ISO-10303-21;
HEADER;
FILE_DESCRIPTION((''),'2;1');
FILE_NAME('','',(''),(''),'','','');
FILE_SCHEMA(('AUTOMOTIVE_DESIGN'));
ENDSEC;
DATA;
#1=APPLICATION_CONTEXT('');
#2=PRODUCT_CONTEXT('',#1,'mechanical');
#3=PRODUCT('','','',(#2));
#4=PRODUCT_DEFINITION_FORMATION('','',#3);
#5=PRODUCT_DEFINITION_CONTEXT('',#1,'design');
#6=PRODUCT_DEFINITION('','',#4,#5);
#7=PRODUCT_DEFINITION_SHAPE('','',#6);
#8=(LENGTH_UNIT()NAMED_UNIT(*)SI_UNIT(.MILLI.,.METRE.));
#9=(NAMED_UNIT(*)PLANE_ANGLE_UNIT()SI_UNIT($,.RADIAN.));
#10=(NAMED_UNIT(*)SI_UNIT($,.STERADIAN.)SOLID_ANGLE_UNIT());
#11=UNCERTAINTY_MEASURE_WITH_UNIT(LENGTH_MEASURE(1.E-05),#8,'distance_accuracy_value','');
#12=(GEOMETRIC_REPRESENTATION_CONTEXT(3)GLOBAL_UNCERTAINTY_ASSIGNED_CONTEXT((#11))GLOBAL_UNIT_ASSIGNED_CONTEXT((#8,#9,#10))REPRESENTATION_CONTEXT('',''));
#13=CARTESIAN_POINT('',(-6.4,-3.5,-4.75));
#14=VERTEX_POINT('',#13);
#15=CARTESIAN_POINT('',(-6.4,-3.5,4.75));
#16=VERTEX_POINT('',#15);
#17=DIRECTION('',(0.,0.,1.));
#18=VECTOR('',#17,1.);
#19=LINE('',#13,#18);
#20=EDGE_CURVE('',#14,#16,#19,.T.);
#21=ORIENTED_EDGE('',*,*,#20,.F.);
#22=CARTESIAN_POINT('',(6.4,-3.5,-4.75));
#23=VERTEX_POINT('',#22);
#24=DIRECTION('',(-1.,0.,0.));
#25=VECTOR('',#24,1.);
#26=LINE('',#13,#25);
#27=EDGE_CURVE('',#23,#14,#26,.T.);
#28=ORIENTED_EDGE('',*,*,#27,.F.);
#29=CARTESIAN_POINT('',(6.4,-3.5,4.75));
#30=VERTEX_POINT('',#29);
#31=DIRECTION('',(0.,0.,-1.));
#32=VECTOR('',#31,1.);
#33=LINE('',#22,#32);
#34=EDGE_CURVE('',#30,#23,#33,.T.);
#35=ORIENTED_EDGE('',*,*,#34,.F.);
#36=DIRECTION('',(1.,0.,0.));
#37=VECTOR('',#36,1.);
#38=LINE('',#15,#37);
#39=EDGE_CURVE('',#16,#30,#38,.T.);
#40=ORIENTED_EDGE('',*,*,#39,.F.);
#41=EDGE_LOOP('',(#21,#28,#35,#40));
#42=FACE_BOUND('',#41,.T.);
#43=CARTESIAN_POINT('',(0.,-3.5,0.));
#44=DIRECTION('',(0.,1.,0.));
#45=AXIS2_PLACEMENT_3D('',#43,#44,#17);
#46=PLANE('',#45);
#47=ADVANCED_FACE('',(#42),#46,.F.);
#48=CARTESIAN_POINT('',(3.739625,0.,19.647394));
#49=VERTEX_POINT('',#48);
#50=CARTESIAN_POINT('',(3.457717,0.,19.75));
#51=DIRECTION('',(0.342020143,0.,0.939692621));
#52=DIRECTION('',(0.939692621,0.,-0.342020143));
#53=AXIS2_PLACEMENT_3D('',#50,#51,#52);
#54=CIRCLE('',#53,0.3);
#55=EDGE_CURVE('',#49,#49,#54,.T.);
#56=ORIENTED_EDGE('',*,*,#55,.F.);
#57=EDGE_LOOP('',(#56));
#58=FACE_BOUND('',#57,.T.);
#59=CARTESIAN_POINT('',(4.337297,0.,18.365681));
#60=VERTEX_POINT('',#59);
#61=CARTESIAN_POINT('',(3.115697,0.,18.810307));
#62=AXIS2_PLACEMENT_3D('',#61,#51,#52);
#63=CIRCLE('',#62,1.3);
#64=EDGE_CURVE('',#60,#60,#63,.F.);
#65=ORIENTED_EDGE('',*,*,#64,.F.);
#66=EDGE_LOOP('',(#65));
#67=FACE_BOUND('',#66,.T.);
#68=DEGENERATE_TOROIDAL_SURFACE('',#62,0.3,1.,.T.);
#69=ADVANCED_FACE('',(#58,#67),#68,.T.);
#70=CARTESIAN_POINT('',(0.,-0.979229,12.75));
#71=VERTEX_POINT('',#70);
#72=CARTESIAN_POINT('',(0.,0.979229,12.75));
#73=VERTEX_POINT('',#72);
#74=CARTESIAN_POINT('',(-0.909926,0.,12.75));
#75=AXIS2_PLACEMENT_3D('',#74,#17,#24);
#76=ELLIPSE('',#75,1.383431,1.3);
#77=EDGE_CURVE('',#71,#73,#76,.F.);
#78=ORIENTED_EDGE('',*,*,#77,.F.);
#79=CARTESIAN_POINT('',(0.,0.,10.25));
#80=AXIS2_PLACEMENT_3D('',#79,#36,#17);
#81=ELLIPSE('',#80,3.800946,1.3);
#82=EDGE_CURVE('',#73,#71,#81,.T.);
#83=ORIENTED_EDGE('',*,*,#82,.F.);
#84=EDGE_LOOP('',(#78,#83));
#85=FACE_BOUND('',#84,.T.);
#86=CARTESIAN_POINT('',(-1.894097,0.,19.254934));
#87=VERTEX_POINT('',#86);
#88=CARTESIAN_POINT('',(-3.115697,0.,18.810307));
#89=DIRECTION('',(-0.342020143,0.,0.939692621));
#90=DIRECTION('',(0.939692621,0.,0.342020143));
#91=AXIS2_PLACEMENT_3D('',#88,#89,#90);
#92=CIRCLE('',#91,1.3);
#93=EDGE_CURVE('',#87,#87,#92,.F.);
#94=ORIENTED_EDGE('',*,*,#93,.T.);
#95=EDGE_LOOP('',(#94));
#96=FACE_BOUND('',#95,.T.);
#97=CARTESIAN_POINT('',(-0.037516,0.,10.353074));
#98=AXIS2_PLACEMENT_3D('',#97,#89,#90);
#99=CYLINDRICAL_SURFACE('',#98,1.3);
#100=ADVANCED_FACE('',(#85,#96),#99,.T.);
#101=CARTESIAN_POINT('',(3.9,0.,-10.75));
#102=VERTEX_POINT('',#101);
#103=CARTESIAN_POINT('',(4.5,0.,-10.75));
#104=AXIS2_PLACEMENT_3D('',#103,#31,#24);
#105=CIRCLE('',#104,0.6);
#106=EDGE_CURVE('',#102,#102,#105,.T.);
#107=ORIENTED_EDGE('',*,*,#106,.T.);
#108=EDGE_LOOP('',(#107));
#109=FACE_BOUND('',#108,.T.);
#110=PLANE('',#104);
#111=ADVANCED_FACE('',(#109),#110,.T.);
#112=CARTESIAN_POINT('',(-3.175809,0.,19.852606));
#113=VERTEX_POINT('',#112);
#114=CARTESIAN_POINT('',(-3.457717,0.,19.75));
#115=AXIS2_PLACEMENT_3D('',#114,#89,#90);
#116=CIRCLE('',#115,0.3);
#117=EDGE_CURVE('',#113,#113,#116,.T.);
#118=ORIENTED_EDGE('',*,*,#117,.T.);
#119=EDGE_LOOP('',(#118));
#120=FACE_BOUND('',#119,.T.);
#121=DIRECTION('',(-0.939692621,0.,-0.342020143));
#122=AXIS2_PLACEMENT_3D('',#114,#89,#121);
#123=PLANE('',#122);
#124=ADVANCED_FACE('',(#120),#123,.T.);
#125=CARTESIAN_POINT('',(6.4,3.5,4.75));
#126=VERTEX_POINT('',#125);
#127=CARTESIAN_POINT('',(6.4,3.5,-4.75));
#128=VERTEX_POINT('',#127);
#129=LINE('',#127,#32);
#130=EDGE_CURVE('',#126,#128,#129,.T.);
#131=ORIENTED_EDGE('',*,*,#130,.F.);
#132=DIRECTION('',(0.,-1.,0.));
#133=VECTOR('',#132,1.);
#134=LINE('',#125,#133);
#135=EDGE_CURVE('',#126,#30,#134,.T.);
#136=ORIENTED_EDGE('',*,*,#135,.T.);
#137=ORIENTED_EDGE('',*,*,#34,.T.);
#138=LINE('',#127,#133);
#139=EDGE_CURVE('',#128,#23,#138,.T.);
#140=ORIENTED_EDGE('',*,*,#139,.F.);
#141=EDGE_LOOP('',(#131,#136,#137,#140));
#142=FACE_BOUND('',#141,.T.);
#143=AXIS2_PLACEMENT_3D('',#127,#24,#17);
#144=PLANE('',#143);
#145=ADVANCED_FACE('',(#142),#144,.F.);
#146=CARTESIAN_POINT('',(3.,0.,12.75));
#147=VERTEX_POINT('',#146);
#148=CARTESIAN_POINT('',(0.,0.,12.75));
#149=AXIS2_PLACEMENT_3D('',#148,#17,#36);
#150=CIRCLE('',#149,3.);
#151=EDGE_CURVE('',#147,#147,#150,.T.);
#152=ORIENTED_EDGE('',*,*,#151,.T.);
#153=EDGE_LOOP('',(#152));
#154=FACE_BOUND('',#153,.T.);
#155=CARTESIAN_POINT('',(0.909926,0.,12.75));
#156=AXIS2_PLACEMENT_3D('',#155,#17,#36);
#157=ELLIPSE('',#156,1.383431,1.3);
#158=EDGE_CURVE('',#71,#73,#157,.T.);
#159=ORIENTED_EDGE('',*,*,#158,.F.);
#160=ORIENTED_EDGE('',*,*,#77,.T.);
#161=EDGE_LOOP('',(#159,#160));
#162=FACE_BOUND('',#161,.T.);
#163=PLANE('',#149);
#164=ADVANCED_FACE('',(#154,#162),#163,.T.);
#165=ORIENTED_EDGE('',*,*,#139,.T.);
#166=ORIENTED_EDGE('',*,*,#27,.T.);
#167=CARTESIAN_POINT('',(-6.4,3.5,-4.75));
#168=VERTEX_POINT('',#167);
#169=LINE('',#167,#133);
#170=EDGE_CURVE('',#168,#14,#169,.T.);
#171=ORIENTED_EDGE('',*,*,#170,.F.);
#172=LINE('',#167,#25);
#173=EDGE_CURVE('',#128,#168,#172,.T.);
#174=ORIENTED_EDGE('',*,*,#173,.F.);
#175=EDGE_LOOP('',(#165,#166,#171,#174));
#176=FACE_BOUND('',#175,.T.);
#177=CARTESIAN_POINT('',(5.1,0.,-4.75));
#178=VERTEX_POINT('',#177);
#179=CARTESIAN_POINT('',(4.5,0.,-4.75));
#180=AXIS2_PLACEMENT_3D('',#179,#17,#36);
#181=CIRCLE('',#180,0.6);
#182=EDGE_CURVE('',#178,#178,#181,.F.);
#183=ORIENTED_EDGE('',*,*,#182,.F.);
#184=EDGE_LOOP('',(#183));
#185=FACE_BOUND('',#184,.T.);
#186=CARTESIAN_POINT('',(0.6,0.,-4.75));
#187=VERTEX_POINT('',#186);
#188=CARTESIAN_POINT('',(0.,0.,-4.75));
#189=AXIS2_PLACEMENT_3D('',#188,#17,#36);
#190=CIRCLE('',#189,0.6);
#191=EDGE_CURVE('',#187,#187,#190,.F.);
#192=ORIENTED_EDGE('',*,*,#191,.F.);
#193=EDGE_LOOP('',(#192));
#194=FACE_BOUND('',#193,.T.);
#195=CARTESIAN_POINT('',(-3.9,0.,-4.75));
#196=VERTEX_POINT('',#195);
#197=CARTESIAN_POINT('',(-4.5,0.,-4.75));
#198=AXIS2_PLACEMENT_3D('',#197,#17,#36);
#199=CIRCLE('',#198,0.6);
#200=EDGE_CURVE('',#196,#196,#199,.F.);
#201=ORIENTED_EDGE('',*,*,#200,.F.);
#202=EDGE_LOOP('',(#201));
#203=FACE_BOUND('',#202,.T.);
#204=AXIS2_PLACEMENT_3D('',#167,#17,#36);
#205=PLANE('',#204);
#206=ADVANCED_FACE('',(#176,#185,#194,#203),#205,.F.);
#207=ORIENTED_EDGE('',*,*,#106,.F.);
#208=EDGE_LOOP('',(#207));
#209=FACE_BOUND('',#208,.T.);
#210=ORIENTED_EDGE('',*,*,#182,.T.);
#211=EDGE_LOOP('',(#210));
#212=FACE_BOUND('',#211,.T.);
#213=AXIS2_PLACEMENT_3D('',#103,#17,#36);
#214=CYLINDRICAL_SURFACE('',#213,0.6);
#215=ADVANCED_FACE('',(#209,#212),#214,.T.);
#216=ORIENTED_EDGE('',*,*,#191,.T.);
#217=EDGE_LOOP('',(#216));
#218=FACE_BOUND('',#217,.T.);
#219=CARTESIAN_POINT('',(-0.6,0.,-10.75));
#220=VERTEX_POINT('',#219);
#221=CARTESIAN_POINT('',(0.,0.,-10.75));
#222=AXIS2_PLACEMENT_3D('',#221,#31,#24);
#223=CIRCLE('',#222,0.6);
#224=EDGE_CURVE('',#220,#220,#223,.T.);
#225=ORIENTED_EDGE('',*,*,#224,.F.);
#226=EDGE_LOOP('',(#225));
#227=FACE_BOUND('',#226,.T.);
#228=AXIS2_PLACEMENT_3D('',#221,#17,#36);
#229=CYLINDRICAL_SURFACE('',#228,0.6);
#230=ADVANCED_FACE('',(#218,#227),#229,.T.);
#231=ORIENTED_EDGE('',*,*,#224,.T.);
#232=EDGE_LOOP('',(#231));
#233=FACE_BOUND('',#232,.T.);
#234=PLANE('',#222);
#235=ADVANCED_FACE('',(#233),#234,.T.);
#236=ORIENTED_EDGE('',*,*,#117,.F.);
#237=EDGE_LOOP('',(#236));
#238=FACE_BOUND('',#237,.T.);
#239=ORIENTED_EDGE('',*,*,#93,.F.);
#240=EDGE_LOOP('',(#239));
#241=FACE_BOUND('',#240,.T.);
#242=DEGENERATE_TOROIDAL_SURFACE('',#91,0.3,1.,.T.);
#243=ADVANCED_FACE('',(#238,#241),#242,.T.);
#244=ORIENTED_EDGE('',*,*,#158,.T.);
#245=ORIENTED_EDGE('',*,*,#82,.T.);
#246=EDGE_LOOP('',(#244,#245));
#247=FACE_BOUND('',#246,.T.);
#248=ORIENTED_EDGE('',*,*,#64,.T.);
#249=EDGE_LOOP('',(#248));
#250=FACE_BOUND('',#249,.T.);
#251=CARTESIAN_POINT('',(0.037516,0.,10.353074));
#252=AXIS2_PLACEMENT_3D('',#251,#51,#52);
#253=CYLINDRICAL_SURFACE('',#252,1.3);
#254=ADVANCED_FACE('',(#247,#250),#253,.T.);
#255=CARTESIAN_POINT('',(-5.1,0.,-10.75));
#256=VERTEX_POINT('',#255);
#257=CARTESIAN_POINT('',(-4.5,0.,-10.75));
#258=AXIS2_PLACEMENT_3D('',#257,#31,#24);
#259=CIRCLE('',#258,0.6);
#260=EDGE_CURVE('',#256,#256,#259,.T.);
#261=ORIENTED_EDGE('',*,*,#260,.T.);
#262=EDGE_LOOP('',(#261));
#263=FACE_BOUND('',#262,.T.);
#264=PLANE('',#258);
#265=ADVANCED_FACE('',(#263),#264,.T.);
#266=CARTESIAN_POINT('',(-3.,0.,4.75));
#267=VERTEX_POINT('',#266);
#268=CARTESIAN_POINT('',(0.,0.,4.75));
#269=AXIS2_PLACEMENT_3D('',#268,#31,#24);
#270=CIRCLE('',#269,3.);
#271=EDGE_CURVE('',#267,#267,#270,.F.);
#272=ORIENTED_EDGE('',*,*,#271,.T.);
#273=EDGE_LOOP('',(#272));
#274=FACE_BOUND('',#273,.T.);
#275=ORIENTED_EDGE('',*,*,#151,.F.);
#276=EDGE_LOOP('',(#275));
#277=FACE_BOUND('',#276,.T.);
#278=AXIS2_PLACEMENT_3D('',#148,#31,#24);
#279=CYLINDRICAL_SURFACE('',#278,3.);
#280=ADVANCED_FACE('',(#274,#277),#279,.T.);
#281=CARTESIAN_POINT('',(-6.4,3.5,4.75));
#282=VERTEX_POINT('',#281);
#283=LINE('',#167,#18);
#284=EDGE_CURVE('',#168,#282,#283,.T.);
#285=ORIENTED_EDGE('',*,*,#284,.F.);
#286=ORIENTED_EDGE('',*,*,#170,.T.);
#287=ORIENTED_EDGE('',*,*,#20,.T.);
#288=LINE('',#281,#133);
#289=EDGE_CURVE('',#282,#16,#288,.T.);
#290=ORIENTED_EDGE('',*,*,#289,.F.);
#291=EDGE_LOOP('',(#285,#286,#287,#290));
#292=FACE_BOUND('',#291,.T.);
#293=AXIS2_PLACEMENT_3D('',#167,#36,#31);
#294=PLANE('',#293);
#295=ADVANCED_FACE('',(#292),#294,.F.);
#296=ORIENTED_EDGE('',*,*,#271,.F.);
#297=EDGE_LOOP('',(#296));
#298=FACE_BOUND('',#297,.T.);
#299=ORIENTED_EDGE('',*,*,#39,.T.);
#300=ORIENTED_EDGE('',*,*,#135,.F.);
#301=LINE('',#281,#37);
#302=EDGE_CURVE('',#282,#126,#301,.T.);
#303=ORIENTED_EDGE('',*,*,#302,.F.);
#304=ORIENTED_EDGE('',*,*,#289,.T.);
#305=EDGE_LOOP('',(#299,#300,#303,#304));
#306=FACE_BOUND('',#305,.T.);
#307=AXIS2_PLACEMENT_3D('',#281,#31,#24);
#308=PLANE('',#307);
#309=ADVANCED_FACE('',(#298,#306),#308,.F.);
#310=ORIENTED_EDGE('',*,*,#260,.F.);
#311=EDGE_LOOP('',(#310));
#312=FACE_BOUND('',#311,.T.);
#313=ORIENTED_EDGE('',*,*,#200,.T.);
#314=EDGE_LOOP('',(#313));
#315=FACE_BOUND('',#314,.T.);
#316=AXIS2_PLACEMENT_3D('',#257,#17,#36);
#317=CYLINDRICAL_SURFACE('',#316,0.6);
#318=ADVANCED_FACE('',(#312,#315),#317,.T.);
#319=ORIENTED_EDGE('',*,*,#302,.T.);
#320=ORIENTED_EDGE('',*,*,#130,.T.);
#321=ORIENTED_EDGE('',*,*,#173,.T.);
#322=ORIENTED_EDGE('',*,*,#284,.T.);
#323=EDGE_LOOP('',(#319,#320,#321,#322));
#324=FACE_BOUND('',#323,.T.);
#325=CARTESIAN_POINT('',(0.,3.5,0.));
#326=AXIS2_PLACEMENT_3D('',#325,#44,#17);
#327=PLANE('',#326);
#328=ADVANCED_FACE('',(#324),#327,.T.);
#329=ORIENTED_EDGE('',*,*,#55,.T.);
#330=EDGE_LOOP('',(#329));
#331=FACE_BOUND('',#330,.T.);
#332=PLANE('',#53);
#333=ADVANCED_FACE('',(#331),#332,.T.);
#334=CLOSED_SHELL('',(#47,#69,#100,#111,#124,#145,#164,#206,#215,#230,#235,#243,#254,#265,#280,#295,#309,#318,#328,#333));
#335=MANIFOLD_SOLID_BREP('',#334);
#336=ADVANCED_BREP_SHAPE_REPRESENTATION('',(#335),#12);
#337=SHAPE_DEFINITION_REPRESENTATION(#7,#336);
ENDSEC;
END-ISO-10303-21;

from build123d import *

# Parameters (mm, degrees)
SKETCH1_W            = 12.8
SKETCH1_H            = 9.5
BOSS_EXTRUDE1_DEPTH  = 3.5
SKETCH2_R            = 3
BOSS_EXTRUDE2_DEPTH  = 8
SKETCH4_R            = 1.3
BOSS_EXTRUDE3_DEPTH  = 10
FILLET1_R            = 1
FILLET1_OF_MIRROR1_R = 1
SKETCH5_R            = 0.6
BOSS_EXTRUDE4_DEPTH  = 6


with BuildPart() as part:
    # Sketch1 → Boss-Extrude1 (new, symmetric)
    with BuildSketch(Plane(origin=(0, 0, 0), x_dir=(1, 0, 0), z_dir=(0, 1, 0))):
        Rectangle(SKETCH1_W, SKETCH1_H)
    extrude(amount=BOSS_EXTRUDE1_DEPTH, both=True)

    # Sketch2 → Boss-Extrude2 (add)
    with BuildSketch(Plane.XY.offset(4.75)):
        with Locations(Location((0, 0, 0), (0, 0, 180))):
            Circle(SKETCH2_R)
    extrude(amount=BOSS_EXTRUDE2_DEPTH)

    # Sketch4 → Boss-Extrude3 (add)
    with BuildSketch(Plane(origin=(3.457717226, 0, 19.75), x_dir=(0.9396926207859079, 0, -0.34202014332567043), z_dir=(0.34202014332567043, 0, 0.9396926207859079))):
        Circle(SKETCH4_R)
    boss_extrude3 = extrude(amount=-BOSS_EXTRUDE3_DEPTH)

    # Fillet1
    fillet1_edges = [part.edges().sort_by_distance(p)[0] for p in [
        (2.236116819, 0, 20.194626186),
    ]]
    fillet(fillet1_edges, radius=FILLET1_R)

    # Mirror1: Boss-Extrude3 across plane
    add(boss_extrude3.mirror(Plane(origin=(0, 0, 0), x_dir=(0, 0, 1), z_dir=(1, 0, 0))))

    # Fillet1 of Mirror1
    fillet1_of_mirror1_edges = [part.edges().sort_by_distance(p)[0] for p in [
        (-2.236116819, 0, 20.194626186),
    ]]
    fillet(fillet1_of_mirror1_edges, radius=FILLET1_OF_MIRROR1_R)

    # Sketch5 → Boss-Extrude4 (add)
    with BuildSketch(Plane(origin=(0, 0, -4.75), x_dir=(-1, 0, 0), z_dir=(0, 0, -1))):
        with Locations(Location((0, 0, 0), (0, 0, 180))):
            Circle(SKETCH5_R)
        with Locations(Location((-4.5, 0, 0), (0, 0, 180))):
            Circle(SKETCH5_R)
        with Locations(Location((4.5, 0, 0), (0, 0, 180))):
            Circle(SKETCH5_R)
    extrude(amount=BOSS_EXTRUDE4_DEPTH)


solid = part.part
